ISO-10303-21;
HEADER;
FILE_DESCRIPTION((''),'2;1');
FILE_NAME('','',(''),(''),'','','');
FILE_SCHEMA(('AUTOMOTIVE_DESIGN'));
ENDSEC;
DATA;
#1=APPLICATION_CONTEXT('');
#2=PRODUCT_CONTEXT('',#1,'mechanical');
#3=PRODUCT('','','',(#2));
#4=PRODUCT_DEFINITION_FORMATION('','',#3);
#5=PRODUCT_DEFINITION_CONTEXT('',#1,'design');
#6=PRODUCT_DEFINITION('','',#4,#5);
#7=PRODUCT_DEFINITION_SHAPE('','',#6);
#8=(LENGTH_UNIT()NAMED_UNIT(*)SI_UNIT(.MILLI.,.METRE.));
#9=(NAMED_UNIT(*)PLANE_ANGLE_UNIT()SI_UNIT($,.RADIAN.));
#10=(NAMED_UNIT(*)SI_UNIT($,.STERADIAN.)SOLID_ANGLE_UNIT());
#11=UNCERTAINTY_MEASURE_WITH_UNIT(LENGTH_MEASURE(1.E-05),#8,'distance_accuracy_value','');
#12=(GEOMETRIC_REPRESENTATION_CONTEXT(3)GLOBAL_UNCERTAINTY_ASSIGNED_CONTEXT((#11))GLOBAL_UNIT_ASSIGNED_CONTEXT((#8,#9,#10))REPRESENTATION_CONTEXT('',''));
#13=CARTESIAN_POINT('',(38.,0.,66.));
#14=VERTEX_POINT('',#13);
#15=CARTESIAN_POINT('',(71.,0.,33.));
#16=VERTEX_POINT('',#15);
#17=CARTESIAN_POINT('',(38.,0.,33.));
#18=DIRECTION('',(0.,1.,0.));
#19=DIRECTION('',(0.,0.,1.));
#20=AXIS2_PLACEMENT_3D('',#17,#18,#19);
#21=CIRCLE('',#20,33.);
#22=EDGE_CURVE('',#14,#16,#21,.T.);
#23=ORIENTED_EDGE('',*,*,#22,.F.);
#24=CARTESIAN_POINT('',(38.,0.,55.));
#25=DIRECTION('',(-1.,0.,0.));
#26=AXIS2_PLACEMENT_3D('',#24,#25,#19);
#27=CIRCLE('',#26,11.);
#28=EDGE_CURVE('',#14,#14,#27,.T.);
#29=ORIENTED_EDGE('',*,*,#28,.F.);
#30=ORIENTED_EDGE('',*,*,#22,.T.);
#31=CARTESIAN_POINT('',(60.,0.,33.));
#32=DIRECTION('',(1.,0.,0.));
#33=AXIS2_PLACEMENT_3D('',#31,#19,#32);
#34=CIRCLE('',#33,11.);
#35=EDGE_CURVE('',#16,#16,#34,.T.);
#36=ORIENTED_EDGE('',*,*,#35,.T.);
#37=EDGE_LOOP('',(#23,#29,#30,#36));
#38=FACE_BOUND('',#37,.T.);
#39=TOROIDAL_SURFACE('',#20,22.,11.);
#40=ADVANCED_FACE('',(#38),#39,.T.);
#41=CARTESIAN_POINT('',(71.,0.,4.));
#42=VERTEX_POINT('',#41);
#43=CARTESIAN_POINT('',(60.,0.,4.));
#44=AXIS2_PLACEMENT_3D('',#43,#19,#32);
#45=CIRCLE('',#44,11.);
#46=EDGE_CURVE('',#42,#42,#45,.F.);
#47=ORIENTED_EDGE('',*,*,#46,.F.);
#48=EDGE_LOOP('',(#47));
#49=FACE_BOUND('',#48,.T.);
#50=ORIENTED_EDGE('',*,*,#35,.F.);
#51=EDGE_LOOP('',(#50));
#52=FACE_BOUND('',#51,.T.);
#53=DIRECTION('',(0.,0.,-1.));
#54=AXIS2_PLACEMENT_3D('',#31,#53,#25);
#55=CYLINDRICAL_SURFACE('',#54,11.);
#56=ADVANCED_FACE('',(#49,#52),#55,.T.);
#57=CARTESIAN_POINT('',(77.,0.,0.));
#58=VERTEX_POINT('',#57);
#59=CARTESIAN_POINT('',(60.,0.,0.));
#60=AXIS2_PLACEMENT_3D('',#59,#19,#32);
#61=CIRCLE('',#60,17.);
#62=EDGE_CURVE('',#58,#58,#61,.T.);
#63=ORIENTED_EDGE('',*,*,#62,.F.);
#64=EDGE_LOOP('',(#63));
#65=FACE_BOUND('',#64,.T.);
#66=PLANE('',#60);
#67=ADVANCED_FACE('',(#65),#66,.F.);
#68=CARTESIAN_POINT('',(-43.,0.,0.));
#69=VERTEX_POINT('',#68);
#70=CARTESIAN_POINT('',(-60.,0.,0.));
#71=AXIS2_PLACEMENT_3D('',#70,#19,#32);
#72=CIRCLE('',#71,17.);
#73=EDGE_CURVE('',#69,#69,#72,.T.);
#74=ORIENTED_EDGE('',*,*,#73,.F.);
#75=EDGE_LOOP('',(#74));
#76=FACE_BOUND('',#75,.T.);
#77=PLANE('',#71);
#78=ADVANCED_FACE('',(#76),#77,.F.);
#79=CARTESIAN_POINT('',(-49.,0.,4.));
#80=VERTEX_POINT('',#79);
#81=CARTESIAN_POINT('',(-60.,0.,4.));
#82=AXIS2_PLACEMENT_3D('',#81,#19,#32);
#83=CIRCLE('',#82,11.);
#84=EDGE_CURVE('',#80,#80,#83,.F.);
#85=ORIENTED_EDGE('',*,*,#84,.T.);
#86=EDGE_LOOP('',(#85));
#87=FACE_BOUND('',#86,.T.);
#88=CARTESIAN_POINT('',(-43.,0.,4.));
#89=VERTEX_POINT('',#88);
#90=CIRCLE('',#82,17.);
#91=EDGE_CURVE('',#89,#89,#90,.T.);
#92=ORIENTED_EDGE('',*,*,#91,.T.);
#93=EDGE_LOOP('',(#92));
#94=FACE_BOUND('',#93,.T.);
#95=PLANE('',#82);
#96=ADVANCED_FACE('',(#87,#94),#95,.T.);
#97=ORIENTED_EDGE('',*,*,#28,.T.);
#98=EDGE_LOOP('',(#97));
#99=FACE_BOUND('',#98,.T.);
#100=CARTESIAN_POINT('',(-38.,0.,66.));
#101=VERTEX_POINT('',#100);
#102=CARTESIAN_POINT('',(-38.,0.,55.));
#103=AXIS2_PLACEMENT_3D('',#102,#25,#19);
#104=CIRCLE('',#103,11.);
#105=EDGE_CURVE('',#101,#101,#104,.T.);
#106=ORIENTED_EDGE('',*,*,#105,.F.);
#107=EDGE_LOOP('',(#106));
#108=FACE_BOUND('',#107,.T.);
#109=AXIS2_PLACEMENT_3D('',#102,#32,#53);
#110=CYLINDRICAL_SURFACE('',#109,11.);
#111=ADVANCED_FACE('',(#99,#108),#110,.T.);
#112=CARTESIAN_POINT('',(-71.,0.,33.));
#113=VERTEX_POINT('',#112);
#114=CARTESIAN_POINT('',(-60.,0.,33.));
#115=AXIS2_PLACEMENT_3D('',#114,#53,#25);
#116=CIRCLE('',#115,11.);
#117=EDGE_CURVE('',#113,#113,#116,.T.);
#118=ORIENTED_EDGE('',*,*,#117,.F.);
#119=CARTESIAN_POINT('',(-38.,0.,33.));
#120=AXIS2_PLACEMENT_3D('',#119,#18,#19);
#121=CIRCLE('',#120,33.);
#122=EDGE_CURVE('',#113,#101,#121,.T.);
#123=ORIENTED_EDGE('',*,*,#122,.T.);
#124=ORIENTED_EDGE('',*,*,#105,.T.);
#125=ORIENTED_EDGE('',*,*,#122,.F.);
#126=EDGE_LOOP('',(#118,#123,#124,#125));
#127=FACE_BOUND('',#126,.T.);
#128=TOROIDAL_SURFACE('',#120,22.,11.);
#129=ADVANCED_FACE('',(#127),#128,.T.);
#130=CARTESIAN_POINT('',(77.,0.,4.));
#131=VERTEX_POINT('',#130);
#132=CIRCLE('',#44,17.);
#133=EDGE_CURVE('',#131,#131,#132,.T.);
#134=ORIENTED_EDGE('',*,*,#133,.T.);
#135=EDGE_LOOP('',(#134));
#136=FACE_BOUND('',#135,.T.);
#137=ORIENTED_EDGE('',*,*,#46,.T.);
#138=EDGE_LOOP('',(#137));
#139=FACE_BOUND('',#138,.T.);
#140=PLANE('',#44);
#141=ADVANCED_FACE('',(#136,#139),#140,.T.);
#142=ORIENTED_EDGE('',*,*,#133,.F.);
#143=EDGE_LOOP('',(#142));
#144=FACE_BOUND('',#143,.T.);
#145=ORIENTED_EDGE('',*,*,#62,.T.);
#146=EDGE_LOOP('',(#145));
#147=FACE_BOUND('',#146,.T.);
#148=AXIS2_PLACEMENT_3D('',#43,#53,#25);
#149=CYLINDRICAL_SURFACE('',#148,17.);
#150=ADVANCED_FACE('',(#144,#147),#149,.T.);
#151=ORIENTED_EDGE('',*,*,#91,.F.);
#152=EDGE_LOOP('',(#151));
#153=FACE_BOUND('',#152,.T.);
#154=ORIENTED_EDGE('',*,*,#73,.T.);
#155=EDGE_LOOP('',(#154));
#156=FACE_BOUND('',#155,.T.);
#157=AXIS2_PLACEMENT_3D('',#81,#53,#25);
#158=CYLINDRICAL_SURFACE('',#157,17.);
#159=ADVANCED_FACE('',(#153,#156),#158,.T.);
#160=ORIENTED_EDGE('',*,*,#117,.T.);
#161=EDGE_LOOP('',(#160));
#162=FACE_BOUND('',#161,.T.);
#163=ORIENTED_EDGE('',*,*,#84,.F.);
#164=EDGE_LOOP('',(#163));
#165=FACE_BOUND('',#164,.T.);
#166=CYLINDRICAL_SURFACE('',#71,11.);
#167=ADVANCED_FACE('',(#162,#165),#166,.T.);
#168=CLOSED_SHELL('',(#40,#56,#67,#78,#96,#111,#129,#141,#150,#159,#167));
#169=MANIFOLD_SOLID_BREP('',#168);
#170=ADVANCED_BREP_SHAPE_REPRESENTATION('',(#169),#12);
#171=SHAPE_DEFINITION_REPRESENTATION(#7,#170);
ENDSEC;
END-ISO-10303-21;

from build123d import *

# Parameters (mm, degrees)
PIPE_1_PROFILE_R   = 11
EXTRUDE_SKETCH_1_R = 17
EXTRUDE_1_DEPTH    = 4
EXTRUDE_SKETCH_2_R = 17
EXTRUDE_2_DEPTH    = 4


with BuildPart() as part:
    # Pipe 1: sweep along a curve in space
    with BuildLine() as pipe_1_path:
        Line((-60, 0, 0), (-60, 0, 33))
        ThreePointArc((-60, 0, 33), (-53.556349186, 0, 48.556349186), (-38, 0, 55))
        Line((-38, 0, 55), (38, 0, 55))
        ThreePointArc((38, 0, 55), (53.556349186, 0, 48.556349186), (60, 0, 33))
        Line((60, 0, 33), (60, 0, 0))
    # Pipe 1 profile (on start of the path) → Pipe 1 (sweep)
    with BuildSketch(Plane(origin=(-60, 0, 0), x_dir=(1, 0, 0), z_dir=(0, 0, 1))):
        Circle(PIPE_1_PROFILE_R)
    sweep(path=pipe_1_path.line)


with BuildPart() as body_2:
    # Extrude sketch 1 → Extrude 1 (new body)
    with BuildSketch(Plane.XY):
        with Locations((-60, 0)):
            Circle(EXTRUDE_SKETCH_1_R)
    extrude(amount=EXTRUDE_1_DEPTH)


with BuildPart() as body_3:
    # Extrude sketch 2 → Extrude 2 (new body)
    with BuildSketch(Plane.XY):
        with Locations((60, 0)):
            Circle(EXTRUDE_SKETCH_2_R)
    extrude(amount=EXTRUDE_2_DEPTH)


with BuildPart() as body_2_1:
    add(body_2.part)

    # Combine (weld / assembly of features): union body 3, part
    add(body_3.part)
    add(part.part)


solid = body_2_1.part
